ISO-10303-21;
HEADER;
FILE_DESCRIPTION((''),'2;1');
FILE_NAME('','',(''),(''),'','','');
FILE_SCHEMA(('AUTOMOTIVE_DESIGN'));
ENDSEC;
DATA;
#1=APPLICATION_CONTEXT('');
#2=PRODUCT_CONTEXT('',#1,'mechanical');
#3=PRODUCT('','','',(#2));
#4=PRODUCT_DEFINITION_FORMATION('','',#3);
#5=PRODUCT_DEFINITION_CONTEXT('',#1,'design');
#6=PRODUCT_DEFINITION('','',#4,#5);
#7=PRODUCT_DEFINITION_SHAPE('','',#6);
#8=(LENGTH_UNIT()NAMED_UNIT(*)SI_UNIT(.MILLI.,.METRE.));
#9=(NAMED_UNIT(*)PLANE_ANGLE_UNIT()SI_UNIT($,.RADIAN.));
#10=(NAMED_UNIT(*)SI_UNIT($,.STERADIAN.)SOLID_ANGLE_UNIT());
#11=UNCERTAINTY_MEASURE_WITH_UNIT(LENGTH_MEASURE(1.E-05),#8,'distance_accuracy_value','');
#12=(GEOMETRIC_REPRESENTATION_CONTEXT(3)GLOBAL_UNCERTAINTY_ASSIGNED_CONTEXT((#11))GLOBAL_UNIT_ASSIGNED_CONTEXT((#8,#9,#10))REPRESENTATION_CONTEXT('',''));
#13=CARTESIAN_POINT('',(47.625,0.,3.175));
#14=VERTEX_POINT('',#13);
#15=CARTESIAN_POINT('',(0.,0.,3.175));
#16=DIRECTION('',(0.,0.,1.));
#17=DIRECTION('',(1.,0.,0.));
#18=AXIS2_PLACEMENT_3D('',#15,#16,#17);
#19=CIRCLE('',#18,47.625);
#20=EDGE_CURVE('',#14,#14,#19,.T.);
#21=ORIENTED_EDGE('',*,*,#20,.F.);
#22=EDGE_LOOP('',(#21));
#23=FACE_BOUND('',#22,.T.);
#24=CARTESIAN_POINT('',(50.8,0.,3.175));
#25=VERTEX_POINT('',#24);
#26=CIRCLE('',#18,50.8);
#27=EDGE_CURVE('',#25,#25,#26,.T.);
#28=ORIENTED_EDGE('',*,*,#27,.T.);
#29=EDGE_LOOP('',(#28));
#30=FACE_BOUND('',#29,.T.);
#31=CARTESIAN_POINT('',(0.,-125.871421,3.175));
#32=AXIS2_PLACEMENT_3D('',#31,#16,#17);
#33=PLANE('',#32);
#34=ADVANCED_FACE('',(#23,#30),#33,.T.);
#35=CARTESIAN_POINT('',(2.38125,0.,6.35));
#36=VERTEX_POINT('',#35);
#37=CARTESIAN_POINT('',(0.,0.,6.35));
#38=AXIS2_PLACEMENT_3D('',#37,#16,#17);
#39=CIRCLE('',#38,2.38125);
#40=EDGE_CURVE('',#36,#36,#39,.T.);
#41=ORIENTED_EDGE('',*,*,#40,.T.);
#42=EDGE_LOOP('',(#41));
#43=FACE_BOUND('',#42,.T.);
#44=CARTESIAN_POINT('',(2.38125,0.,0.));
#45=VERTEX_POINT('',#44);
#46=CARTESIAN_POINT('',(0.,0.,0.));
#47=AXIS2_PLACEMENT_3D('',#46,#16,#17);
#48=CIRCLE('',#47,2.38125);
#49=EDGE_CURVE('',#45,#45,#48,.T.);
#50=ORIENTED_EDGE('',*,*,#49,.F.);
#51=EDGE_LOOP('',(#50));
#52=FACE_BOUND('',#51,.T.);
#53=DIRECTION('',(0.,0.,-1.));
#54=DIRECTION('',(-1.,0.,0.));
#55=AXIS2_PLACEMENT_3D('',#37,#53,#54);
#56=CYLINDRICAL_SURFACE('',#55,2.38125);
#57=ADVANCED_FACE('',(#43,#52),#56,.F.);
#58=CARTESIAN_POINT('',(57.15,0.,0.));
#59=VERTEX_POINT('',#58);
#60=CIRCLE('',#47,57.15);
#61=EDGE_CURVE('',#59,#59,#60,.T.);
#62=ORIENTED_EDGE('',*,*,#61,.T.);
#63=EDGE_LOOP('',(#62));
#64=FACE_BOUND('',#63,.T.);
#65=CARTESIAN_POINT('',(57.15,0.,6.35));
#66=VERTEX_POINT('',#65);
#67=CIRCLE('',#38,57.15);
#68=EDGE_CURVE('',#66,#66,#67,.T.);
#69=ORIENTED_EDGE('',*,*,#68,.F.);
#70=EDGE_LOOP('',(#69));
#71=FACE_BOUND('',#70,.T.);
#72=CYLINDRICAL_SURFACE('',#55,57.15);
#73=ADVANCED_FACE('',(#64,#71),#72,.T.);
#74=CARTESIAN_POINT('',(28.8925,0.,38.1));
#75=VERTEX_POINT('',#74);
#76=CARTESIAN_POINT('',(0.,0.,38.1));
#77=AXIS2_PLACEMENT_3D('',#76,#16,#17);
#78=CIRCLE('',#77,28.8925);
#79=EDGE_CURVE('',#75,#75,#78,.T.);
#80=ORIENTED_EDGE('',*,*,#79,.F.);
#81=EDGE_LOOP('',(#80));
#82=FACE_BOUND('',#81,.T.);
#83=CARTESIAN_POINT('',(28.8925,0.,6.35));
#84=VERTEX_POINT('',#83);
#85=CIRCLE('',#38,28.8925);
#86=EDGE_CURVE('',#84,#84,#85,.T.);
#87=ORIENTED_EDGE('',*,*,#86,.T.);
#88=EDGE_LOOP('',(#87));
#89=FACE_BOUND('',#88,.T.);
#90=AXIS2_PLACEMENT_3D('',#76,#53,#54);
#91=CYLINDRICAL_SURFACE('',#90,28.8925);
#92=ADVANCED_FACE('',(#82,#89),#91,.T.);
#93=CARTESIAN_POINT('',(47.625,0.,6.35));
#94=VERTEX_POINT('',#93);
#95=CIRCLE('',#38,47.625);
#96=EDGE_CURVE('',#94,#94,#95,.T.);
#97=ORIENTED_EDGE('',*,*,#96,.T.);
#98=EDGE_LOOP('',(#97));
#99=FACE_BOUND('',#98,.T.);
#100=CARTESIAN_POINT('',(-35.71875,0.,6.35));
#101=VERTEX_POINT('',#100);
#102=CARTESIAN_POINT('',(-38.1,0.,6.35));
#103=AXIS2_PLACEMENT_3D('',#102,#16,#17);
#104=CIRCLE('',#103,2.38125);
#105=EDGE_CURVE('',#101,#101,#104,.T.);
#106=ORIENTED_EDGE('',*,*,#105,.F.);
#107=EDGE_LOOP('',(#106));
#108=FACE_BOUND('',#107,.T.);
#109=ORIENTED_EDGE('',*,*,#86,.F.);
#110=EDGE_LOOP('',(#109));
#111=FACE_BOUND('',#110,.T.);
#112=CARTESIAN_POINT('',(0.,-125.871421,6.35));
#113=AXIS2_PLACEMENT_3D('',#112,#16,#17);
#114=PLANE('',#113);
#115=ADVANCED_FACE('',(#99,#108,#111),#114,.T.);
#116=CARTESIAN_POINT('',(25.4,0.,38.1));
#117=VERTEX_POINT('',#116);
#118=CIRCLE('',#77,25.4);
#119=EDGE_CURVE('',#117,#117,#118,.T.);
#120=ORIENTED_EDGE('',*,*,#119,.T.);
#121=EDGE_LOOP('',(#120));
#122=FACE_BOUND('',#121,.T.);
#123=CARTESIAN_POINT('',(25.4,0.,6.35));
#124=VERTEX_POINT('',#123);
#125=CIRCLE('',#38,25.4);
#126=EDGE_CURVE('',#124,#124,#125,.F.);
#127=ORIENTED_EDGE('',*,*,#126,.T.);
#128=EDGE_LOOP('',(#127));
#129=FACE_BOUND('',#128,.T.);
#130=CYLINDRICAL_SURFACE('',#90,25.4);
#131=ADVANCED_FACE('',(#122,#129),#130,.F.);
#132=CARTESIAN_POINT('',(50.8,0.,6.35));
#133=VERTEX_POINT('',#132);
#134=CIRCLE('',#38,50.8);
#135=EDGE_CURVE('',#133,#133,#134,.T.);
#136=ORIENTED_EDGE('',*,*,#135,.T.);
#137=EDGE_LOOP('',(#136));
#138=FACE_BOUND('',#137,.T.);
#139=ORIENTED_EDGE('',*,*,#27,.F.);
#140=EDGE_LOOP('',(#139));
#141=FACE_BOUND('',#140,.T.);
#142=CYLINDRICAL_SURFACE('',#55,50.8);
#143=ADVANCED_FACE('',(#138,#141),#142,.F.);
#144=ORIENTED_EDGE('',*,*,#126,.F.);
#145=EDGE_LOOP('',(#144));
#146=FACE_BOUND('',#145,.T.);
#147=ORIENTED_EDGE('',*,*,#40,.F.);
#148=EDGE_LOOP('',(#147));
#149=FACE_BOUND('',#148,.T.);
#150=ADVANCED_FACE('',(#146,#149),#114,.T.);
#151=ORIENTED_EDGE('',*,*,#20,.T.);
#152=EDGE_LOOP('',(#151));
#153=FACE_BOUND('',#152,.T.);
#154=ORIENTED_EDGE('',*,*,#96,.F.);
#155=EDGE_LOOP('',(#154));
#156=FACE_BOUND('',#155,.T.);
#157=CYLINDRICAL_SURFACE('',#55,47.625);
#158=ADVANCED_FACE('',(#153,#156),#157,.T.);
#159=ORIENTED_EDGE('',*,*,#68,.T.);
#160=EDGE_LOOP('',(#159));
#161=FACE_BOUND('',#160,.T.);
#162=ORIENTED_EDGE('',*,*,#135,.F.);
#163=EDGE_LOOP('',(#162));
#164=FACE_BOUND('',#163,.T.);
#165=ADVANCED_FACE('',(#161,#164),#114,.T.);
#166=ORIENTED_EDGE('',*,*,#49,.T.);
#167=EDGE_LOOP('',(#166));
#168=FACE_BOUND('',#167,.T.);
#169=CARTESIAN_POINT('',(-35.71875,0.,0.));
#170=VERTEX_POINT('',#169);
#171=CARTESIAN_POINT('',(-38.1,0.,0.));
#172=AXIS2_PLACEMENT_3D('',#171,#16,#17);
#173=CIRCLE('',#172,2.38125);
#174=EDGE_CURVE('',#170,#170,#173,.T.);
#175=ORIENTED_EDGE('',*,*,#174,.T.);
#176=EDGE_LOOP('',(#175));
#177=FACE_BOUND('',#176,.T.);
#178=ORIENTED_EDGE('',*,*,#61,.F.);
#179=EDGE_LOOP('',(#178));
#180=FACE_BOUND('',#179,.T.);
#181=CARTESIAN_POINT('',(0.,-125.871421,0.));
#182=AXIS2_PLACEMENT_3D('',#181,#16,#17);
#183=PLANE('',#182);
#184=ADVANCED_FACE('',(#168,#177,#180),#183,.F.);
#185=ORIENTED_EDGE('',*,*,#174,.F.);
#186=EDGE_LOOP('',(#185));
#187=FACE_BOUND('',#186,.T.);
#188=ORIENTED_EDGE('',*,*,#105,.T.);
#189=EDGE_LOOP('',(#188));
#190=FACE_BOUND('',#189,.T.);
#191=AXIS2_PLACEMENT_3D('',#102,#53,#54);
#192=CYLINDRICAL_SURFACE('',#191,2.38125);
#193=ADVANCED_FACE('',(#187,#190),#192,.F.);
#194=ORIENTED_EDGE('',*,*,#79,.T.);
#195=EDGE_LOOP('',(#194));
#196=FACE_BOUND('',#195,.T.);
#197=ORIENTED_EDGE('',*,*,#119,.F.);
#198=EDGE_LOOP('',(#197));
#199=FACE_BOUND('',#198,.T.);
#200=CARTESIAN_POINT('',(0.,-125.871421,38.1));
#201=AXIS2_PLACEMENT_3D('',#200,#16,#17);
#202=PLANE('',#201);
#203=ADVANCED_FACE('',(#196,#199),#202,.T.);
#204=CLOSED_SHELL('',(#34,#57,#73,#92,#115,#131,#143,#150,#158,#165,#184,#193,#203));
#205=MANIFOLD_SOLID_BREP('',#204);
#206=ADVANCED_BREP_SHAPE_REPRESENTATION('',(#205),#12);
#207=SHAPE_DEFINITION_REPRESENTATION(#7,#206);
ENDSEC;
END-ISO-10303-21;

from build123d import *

# Parameters (mm, degrees)
SKETCH1_R        = 57.15
SKETCH1_R_2      = 50.8
EXTRUDE3_DEPTH   = 6.35
SKETCH1_R_3      = 47.625
SKETCH1_R_4      = 28.8925
SKETCH1_R_5      = 2.38125
EXTRUDE3_2_DEPTH = 6.35
SKETCH1_R_6      = 25.4
EXTRUDE3_3_DEPTH = 6.35
SKETCH1_8_R      = 50.8
SKETCH1_8_R_2    = 47.625
EXTRUDE4_DEPTH   = 3.175
SKETCH1_9_R      = 28.8925
SKETCH1_9_R_2    = 25.4
EXTRUDE5_DEPTH   = 38.1


with BuildPart() as part:
    # Sketch1 → Extrude3 (new body)
    with BuildSketch(Plane.XY):
        Circle(SKETCH1_R)
        Circle(SKETCH1_R_2, mode=Mode.SUBTRACT)
    extrude(amount=EXTRUDE3_DEPTH)



with BuildPart() as body_2:
    # Sketch1 → Extrude3 2 (new body)
    with BuildSketch(Plane.XY):
        Circle(SKETCH1_R_3)
        Circle(SKETCH1_R_4, mode=Mode.SUBTRACT)
        with Locations((-38.1, 0)):
            Circle(SKETCH1_R_5, mode=Mode.SUBTRACT)
    extrude(amount=EXTRUDE3_2_DEPTH)


with BuildPart() as body_3:
    # Sketch1 → Extrude3 3 (new body)
    with BuildSketch(Plane.XY):
        Circle(SKETCH1_R_6)
        Circle(SKETCH1_R_5, mode=Mode.SUBTRACT)
    extrude(amount=EXTRUDE3_3_DEPTH)


with BuildPart() as part_1:
    add(part.part)

    add(body_2.part)  # Extrude4 merges body 2
    # Sketch1_8 → Extrude4 (add)
    with BuildSketch(Plane.XY):
        Circle(SKETCH1_8_R)
        Circle(SKETCH1_8_R_2, mode=Mode.SUBTRACT)
    extrude(amount=EXTRUDE4_DEPTH)


    add(body_3.part)  # Extrude5 merges body 3
    # Sketch1_9 → Extrude5 (add)
    with BuildSketch(Plane.XY):
        Circle(SKETCH1_9_R)
        Circle(SKETCH1_9_R_2, mode=Mode.SUBTRACT)
    extrude(amount=EXTRUDE5_DEPTH)


solid = part_1.part
